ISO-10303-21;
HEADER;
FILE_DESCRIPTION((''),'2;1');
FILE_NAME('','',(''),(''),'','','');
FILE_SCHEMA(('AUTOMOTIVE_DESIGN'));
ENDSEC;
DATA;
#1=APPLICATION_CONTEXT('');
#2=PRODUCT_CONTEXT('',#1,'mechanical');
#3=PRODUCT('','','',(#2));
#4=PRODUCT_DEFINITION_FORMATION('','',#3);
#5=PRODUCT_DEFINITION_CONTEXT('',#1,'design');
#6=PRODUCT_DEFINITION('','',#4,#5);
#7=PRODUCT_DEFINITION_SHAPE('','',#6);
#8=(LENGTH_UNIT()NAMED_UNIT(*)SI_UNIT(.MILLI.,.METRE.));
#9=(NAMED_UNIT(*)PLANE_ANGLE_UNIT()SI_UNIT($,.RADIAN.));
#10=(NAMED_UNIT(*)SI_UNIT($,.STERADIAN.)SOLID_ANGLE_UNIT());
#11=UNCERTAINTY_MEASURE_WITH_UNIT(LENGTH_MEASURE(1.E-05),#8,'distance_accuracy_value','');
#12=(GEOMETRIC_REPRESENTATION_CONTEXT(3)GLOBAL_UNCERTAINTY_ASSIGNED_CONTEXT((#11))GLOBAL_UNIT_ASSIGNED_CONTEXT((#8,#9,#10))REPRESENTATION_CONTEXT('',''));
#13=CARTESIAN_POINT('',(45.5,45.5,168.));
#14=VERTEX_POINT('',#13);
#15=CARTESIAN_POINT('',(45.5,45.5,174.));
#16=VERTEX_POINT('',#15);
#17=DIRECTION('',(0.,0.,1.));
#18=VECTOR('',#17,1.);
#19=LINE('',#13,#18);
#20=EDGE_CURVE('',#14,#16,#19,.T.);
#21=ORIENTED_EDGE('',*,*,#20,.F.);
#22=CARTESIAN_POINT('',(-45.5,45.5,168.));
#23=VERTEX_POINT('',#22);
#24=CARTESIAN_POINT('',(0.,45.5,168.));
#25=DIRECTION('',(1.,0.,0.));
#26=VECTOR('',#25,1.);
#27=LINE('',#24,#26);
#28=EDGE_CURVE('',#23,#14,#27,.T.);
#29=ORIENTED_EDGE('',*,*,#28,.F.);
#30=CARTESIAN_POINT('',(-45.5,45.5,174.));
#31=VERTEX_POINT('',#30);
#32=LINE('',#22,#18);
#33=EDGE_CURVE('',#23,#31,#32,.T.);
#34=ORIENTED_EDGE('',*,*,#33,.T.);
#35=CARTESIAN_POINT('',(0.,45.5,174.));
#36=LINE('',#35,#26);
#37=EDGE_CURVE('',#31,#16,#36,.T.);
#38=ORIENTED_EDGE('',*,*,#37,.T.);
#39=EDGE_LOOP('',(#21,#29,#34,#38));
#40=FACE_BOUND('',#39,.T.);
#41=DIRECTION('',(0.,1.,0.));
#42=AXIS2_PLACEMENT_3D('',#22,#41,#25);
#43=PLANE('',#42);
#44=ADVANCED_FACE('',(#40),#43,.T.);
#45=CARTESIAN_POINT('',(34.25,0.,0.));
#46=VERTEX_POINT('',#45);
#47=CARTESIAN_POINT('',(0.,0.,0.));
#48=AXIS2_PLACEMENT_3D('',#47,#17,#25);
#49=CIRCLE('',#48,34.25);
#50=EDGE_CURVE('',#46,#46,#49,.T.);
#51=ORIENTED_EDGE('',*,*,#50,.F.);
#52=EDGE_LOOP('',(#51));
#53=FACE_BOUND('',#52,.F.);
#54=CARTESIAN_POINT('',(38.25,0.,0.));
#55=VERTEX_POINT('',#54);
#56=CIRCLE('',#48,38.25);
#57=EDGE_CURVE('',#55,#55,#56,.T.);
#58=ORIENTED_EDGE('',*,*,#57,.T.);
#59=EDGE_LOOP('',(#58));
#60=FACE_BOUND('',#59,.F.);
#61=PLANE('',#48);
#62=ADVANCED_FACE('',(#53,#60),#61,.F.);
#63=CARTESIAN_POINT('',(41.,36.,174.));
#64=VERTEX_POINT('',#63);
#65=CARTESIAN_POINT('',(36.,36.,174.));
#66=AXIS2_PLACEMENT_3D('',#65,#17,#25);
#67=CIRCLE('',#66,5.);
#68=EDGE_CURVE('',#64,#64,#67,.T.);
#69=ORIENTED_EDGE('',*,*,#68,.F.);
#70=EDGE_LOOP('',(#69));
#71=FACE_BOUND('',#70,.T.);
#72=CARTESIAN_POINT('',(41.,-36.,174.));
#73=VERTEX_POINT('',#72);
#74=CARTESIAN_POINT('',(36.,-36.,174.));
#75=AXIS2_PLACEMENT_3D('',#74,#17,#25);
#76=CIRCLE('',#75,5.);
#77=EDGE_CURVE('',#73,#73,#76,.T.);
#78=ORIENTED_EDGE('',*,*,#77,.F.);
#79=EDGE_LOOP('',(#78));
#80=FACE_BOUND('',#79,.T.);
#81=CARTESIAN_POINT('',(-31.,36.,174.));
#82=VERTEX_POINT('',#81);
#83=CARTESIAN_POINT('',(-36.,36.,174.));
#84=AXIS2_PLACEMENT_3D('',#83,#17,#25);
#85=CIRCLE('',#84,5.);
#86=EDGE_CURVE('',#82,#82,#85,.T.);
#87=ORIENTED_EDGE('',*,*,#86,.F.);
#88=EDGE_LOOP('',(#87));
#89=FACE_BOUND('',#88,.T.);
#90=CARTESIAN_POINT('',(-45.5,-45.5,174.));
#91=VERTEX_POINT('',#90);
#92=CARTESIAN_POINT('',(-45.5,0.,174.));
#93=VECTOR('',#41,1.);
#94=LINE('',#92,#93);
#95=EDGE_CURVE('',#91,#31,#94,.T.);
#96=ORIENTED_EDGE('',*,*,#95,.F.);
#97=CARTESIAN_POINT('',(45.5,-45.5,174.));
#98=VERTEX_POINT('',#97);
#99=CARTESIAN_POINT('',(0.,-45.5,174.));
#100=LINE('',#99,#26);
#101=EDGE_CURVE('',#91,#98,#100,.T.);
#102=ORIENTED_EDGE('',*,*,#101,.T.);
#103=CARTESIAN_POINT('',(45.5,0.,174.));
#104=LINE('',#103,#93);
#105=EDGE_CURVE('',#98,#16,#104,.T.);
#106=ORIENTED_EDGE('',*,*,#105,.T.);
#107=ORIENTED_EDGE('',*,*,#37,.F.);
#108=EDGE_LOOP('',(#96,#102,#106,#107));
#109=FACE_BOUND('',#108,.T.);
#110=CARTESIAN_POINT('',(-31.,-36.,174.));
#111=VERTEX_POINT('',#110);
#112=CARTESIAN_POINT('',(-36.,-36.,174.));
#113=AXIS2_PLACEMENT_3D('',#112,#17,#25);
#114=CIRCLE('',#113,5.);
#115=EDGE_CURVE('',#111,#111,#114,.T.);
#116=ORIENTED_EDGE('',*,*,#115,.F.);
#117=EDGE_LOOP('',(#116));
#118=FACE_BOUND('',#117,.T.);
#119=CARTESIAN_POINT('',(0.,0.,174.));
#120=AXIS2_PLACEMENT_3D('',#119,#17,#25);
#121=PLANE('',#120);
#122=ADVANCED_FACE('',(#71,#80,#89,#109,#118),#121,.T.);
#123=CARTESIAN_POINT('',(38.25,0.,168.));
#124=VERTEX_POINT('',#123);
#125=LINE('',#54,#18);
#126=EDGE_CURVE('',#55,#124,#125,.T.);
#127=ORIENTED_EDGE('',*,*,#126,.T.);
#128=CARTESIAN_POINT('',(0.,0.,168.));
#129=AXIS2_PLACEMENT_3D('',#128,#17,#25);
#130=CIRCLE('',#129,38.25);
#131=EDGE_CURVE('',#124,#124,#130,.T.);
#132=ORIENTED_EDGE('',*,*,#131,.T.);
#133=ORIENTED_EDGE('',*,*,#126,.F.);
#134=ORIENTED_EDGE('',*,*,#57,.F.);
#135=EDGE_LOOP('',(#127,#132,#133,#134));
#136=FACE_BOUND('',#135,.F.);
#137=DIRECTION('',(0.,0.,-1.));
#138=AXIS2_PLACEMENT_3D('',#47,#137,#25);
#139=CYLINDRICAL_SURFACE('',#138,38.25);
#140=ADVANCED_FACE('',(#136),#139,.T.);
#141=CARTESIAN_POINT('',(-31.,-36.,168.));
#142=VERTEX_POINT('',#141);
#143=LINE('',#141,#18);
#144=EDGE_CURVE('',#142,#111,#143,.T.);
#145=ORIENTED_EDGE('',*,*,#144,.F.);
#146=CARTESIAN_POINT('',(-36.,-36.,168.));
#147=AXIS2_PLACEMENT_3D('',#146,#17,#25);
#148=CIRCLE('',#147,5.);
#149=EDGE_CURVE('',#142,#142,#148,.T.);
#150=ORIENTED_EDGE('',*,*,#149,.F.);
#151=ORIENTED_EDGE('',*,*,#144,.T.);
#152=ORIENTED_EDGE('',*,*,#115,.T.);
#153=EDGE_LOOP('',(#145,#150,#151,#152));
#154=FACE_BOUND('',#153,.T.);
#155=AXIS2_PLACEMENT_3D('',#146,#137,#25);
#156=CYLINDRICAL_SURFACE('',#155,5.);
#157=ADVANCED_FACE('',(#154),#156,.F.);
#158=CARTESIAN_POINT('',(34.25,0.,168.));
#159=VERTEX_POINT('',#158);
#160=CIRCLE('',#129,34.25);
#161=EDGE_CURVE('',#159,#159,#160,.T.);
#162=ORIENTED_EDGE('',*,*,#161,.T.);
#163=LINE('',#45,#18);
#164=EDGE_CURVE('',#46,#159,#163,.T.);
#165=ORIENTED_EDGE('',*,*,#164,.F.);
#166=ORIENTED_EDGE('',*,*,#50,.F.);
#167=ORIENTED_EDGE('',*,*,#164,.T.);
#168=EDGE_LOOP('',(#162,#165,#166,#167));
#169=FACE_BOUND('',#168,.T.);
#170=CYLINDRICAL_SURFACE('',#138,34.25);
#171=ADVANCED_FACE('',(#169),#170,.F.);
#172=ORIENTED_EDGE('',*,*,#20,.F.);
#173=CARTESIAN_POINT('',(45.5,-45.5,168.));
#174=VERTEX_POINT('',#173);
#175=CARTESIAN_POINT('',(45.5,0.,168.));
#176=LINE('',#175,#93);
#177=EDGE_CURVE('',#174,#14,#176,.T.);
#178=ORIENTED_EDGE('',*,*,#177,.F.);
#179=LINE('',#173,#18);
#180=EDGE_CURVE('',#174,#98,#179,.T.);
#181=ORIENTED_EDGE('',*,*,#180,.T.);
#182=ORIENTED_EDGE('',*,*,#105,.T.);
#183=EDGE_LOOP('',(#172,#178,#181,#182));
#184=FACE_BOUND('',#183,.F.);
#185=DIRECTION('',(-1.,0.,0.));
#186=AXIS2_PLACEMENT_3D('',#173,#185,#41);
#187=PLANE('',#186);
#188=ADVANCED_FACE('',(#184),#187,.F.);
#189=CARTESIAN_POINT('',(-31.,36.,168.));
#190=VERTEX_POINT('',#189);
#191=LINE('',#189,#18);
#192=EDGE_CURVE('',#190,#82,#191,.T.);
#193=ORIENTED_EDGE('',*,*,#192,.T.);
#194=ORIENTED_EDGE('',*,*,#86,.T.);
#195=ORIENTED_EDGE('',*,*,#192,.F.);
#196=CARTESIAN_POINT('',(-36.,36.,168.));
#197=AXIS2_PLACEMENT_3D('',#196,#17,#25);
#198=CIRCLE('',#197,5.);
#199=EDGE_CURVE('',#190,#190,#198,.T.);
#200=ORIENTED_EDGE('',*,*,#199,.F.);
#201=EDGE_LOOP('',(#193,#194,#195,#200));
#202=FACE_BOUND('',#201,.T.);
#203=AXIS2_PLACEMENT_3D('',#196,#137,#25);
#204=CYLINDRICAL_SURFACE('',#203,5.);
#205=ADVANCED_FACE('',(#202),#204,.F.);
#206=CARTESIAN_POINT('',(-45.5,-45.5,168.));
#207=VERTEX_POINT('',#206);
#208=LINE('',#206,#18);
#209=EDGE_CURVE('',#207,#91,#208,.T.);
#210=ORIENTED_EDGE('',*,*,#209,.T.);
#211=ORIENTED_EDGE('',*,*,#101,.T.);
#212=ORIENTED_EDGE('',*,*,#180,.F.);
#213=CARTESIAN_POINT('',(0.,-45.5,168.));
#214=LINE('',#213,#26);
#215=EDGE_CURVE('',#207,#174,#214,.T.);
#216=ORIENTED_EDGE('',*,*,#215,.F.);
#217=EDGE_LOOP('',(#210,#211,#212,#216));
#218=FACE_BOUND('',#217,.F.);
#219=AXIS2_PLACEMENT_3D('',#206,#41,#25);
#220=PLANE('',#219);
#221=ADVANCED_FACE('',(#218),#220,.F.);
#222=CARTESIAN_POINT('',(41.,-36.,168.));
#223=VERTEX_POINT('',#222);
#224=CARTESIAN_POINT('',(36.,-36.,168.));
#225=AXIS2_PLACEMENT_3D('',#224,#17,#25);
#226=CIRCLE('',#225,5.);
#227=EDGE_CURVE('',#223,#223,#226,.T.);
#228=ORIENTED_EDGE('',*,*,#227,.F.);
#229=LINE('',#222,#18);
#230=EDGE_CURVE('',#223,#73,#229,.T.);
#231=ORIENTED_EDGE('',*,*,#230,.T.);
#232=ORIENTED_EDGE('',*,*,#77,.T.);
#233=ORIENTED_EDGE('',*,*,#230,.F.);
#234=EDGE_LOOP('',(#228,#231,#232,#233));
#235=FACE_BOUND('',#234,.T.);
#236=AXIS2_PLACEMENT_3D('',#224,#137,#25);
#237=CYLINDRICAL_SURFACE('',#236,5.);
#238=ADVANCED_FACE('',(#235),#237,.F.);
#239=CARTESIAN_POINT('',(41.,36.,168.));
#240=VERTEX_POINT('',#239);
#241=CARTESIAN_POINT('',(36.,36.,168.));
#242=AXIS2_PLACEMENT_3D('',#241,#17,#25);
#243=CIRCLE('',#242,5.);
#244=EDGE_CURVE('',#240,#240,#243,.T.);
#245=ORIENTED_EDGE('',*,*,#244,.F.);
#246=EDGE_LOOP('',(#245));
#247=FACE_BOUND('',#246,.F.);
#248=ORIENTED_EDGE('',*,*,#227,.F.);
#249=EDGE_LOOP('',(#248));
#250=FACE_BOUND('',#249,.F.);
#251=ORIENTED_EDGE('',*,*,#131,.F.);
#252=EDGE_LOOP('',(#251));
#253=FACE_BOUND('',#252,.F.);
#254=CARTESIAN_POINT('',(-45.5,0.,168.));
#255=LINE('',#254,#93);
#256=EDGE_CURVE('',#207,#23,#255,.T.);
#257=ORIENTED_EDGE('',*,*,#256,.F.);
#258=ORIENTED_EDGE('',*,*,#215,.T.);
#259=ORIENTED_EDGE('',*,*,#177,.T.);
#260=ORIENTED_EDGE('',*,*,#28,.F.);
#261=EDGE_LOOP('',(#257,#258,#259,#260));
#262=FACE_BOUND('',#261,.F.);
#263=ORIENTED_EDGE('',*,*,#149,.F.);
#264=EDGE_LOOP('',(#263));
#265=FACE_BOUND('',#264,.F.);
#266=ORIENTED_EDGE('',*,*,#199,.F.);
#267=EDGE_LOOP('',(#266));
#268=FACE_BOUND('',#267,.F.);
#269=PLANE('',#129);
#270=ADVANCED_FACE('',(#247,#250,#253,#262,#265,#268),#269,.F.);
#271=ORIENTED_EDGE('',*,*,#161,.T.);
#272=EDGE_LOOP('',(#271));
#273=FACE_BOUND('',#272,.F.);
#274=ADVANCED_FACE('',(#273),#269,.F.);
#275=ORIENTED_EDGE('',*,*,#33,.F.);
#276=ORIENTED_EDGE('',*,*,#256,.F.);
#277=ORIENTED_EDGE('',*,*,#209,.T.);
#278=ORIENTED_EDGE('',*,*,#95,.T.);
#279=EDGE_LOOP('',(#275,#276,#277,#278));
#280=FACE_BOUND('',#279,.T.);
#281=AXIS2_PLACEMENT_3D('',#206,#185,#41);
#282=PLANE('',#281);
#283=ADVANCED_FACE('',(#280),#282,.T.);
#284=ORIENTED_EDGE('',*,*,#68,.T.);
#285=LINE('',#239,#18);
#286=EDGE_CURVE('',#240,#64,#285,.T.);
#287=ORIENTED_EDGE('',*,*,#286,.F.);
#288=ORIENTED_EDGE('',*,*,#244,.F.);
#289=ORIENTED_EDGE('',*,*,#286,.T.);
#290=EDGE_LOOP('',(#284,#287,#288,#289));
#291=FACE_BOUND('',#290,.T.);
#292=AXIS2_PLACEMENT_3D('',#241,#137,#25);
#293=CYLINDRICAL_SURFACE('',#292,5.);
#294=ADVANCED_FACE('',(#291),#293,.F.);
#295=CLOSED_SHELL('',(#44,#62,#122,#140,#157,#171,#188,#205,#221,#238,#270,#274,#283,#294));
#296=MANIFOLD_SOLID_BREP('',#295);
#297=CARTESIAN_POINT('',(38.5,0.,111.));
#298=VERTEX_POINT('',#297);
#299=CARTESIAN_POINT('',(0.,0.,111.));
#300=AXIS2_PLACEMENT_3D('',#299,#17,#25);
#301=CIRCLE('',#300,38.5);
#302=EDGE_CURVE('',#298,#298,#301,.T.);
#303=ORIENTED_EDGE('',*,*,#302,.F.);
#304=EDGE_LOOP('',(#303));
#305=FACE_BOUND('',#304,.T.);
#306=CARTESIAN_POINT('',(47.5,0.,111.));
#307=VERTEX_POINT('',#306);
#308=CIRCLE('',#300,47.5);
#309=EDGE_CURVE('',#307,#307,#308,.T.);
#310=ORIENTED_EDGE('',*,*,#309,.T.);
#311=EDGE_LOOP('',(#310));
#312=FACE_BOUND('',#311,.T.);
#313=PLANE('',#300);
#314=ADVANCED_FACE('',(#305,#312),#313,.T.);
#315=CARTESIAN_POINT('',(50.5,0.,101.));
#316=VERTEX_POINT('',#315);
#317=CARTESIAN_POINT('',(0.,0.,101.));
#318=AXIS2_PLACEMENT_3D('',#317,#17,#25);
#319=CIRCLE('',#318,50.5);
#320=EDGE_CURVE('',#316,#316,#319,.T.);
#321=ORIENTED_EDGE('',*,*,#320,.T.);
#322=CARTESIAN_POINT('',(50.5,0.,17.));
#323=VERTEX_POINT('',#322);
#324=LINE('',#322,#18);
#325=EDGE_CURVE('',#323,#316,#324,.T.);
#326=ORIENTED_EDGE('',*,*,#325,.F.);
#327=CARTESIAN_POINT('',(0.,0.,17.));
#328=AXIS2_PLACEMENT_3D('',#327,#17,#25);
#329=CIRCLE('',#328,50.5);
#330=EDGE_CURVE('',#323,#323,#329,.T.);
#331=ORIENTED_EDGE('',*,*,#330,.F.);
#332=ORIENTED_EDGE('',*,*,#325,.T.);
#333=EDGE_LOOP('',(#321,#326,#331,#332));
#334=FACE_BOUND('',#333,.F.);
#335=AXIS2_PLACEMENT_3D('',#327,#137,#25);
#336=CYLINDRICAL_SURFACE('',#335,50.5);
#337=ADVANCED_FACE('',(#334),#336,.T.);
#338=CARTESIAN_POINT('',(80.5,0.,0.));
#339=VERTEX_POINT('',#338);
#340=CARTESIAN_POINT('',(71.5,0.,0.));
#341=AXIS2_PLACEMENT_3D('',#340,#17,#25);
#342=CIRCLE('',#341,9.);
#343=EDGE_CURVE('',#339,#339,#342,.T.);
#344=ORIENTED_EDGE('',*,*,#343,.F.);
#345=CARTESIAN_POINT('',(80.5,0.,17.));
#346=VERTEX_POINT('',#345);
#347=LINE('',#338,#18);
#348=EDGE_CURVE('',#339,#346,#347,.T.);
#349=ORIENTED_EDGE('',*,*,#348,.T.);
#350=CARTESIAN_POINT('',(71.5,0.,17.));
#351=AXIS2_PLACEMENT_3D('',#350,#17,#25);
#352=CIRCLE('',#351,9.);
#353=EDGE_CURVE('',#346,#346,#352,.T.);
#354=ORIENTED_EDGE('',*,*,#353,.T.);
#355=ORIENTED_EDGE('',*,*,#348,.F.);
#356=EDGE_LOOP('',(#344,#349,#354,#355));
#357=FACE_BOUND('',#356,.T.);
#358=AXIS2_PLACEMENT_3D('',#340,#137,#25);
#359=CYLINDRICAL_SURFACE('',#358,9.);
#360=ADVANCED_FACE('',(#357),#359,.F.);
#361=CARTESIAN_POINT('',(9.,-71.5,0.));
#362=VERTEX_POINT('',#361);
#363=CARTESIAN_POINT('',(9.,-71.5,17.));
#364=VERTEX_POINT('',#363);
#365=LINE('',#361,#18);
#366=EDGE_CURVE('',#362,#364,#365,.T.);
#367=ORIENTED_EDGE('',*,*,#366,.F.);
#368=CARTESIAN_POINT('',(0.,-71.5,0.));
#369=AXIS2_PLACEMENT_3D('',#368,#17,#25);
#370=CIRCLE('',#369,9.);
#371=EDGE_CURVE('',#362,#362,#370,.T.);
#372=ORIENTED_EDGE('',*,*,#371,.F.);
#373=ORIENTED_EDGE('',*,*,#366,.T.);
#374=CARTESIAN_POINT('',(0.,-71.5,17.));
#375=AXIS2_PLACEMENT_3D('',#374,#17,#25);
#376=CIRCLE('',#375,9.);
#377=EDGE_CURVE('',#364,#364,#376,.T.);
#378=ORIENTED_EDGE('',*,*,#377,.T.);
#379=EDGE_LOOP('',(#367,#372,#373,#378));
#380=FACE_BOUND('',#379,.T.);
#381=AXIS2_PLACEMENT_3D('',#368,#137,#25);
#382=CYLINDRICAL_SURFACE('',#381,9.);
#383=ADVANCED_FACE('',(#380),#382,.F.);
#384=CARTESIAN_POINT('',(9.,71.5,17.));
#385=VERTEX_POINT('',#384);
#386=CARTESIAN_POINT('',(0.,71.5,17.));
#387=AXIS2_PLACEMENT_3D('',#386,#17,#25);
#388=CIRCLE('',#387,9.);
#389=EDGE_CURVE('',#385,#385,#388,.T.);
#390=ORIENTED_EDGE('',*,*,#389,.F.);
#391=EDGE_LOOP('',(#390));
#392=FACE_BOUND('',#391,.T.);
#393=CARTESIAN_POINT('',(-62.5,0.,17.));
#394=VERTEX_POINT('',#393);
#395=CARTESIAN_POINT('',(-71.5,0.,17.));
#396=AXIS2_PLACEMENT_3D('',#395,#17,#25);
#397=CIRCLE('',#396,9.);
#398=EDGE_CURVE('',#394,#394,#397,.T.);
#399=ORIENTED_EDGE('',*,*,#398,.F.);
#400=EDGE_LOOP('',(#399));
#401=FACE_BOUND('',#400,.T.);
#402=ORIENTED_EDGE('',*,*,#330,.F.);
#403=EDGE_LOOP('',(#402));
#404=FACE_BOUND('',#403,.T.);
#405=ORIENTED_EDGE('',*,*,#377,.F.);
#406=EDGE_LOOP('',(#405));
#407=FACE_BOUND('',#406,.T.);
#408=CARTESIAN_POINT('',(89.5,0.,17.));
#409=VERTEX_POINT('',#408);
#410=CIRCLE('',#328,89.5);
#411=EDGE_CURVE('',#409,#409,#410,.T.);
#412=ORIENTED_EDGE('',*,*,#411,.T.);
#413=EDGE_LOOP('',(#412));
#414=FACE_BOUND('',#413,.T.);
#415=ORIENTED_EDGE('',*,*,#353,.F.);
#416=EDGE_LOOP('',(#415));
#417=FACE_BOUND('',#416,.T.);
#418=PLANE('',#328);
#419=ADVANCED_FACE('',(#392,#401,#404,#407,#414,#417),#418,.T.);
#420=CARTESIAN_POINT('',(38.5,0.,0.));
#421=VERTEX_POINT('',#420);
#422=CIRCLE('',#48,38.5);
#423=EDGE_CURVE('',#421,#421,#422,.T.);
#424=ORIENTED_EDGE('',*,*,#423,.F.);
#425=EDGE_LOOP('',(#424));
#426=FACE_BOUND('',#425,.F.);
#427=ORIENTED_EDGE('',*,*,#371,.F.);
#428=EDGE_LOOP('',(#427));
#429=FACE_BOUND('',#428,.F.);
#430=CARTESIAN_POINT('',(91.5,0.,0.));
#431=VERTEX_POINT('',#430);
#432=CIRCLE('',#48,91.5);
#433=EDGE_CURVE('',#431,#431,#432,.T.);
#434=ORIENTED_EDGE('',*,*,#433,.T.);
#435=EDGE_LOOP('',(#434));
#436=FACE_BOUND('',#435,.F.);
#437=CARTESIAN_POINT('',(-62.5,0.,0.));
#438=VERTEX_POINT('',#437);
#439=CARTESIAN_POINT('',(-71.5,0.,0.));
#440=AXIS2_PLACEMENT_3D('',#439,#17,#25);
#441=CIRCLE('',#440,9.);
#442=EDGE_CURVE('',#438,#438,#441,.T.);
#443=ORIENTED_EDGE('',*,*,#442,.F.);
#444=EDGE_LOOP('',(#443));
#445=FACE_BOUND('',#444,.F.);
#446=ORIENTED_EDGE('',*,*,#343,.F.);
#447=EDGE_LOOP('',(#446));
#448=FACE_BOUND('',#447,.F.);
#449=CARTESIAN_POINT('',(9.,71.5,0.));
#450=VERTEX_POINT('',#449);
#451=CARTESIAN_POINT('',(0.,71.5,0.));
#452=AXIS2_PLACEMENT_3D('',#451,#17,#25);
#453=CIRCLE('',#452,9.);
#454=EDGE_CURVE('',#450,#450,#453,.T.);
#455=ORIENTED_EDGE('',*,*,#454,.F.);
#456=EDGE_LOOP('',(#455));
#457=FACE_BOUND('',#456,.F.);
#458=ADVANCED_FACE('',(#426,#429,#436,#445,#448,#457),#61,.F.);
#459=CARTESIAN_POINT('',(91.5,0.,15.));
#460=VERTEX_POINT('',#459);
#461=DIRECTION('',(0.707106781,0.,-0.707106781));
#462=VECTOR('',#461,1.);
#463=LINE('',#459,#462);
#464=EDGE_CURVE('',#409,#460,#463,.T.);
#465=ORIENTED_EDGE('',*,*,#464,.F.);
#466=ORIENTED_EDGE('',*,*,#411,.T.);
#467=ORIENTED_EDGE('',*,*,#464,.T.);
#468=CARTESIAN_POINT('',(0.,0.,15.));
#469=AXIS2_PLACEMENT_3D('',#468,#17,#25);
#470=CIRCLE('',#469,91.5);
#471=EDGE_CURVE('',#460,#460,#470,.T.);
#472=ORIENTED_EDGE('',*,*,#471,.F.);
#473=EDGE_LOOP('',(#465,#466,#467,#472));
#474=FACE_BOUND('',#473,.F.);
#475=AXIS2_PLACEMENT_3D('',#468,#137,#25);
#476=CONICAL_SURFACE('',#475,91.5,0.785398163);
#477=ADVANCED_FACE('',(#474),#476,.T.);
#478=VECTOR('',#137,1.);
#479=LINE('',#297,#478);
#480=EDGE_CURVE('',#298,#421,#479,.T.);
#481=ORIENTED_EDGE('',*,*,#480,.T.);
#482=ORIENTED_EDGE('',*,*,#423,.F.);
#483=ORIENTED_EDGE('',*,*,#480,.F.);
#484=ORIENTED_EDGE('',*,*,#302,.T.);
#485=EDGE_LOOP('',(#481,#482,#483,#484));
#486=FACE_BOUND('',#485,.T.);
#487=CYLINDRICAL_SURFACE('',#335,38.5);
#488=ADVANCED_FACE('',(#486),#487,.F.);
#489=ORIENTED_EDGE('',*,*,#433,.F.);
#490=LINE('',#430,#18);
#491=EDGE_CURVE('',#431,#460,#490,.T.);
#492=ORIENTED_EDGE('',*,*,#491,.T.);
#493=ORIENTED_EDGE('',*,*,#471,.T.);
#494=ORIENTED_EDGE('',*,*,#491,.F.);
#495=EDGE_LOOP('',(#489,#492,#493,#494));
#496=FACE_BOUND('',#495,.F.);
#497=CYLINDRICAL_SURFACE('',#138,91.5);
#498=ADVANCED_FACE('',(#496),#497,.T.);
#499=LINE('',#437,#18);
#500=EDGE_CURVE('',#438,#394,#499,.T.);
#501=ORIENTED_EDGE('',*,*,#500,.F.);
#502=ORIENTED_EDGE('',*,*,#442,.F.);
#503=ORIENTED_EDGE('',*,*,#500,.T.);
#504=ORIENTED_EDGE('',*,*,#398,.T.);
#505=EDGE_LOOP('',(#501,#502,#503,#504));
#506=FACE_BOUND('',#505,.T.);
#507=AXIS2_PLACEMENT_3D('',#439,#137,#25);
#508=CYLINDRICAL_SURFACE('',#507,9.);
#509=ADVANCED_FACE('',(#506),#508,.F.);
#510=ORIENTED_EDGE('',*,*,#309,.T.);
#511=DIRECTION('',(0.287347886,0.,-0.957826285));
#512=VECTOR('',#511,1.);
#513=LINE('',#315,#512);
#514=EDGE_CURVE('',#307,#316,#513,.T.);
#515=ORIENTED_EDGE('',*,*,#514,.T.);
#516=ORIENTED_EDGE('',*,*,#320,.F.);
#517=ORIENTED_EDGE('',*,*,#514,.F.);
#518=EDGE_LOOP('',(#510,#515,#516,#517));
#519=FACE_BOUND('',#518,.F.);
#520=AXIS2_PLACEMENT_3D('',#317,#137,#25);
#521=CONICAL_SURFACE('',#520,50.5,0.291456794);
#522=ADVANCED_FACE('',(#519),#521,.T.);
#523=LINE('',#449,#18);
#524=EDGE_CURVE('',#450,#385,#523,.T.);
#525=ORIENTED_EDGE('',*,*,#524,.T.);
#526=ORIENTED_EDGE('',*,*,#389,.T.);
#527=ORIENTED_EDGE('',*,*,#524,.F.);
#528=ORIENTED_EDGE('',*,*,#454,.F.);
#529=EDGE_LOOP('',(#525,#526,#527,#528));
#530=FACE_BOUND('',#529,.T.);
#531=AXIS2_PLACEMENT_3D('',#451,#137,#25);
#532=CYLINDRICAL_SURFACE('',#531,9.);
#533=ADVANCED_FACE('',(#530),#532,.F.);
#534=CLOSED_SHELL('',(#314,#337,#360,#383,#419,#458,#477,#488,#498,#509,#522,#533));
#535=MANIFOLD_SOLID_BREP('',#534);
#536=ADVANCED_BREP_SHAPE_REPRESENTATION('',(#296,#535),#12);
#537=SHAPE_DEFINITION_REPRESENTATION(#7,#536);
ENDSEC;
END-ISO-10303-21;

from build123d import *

# Parameters (mm, degrees)
F0_R     = 91.5
F0_R_2   = 9
F0_R_3   = 38.5
F1_DEPTH = 17
F2_R     = 50.5
F2_R_2   = 38.5
F3_DEPTH = 94
F4_SIZE2 = 10
F4_SIZE  = 3
F5_SIZE  = 2
F6_R     = 38.25
F6_R_2   = 34.25
F7_DEPTH = 168
F8_W     = 91
F8_H     = 91
F8_R     = 5
F9_DEPTH = 6


with BuildPart() as f1:
    # F0 (on Top) → F1 (new body)
    with BuildSketch(Plane.XY):
        Circle(F0_R)
        with Locations((0, -71.5)):
            Circle(F0_R_2, mode=Mode.SUBTRACT)
        with Locations((-71.5, 0)):
            Circle(F0_R_2, mode=Mode.SUBTRACT)
        Circle(F0_R_3, mode=Mode.SUBTRACT)
        with Locations((71.5, 0)):
            Circle(F0_R_2, mode=Mode.SUBTRACT)
        with Locations((0, 71.5)):
            Circle(F0_R_2, mode=Mode.SUBTRACT)
    extrude(amount=F1_DEPTH)

    # F2 (on face) → F3 (join)
    with BuildSketch(Plane.XY.offset(17)):
        Circle(F2_R)
        Circle(F2_R_2, mode=Mode.SUBTRACT)
    extrude(amount=F3_DEPTH)

    # F4
    f4_edges = [f1.edges().sort_by_distance(p)[0] for p in [
        (-50.5, 0, 111),
    ]]
    f4_side = f1.faces().sort_by_distance((-49.071644, 0, 111))[0]
    chamfer(f4_edges, length=F4_SIZE, length2=F4_SIZE2, reference=f4_side)

    # F5
    f5_edges = [f1.edges().sort_by_distance(p)[0] for p in [
        (-91.5, 0, 17),
    ]]
    chamfer(f5_edges, length=F5_SIZE)


with BuildPart() as f7:
    # F6 (on Top) → F7 (new body)
    with BuildSketch(Plane.XY):
        Circle(F6_R)
        Circle(F6_R_2, mode=Mode.SUBTRACT)
    extrude(amount=F7_DEPTH)

    # F8 (on face) → F9 (join)
    with BuildSketch(Plane.XY.offset(168)):
        Rectangle(F8_W, F8_H)
        with Locations((-36, -36)):
            Circle(F8_R, mode=Mode.SUBTRACT)
        with Locations((36, -36)):
            Circle(F8_R, mode=Mode.SUBTRACT)
        with Locations((-36, 36)):
            Circle(F8_R, mode=Mode.SUBTRACT)
        with Locations((36, 36)):
            Circle(F8_R, mode=Mode.SUBTRACT)
    extrude(amount=F9_DEPTH)


solid = Compound([f1.part, f7.part])
